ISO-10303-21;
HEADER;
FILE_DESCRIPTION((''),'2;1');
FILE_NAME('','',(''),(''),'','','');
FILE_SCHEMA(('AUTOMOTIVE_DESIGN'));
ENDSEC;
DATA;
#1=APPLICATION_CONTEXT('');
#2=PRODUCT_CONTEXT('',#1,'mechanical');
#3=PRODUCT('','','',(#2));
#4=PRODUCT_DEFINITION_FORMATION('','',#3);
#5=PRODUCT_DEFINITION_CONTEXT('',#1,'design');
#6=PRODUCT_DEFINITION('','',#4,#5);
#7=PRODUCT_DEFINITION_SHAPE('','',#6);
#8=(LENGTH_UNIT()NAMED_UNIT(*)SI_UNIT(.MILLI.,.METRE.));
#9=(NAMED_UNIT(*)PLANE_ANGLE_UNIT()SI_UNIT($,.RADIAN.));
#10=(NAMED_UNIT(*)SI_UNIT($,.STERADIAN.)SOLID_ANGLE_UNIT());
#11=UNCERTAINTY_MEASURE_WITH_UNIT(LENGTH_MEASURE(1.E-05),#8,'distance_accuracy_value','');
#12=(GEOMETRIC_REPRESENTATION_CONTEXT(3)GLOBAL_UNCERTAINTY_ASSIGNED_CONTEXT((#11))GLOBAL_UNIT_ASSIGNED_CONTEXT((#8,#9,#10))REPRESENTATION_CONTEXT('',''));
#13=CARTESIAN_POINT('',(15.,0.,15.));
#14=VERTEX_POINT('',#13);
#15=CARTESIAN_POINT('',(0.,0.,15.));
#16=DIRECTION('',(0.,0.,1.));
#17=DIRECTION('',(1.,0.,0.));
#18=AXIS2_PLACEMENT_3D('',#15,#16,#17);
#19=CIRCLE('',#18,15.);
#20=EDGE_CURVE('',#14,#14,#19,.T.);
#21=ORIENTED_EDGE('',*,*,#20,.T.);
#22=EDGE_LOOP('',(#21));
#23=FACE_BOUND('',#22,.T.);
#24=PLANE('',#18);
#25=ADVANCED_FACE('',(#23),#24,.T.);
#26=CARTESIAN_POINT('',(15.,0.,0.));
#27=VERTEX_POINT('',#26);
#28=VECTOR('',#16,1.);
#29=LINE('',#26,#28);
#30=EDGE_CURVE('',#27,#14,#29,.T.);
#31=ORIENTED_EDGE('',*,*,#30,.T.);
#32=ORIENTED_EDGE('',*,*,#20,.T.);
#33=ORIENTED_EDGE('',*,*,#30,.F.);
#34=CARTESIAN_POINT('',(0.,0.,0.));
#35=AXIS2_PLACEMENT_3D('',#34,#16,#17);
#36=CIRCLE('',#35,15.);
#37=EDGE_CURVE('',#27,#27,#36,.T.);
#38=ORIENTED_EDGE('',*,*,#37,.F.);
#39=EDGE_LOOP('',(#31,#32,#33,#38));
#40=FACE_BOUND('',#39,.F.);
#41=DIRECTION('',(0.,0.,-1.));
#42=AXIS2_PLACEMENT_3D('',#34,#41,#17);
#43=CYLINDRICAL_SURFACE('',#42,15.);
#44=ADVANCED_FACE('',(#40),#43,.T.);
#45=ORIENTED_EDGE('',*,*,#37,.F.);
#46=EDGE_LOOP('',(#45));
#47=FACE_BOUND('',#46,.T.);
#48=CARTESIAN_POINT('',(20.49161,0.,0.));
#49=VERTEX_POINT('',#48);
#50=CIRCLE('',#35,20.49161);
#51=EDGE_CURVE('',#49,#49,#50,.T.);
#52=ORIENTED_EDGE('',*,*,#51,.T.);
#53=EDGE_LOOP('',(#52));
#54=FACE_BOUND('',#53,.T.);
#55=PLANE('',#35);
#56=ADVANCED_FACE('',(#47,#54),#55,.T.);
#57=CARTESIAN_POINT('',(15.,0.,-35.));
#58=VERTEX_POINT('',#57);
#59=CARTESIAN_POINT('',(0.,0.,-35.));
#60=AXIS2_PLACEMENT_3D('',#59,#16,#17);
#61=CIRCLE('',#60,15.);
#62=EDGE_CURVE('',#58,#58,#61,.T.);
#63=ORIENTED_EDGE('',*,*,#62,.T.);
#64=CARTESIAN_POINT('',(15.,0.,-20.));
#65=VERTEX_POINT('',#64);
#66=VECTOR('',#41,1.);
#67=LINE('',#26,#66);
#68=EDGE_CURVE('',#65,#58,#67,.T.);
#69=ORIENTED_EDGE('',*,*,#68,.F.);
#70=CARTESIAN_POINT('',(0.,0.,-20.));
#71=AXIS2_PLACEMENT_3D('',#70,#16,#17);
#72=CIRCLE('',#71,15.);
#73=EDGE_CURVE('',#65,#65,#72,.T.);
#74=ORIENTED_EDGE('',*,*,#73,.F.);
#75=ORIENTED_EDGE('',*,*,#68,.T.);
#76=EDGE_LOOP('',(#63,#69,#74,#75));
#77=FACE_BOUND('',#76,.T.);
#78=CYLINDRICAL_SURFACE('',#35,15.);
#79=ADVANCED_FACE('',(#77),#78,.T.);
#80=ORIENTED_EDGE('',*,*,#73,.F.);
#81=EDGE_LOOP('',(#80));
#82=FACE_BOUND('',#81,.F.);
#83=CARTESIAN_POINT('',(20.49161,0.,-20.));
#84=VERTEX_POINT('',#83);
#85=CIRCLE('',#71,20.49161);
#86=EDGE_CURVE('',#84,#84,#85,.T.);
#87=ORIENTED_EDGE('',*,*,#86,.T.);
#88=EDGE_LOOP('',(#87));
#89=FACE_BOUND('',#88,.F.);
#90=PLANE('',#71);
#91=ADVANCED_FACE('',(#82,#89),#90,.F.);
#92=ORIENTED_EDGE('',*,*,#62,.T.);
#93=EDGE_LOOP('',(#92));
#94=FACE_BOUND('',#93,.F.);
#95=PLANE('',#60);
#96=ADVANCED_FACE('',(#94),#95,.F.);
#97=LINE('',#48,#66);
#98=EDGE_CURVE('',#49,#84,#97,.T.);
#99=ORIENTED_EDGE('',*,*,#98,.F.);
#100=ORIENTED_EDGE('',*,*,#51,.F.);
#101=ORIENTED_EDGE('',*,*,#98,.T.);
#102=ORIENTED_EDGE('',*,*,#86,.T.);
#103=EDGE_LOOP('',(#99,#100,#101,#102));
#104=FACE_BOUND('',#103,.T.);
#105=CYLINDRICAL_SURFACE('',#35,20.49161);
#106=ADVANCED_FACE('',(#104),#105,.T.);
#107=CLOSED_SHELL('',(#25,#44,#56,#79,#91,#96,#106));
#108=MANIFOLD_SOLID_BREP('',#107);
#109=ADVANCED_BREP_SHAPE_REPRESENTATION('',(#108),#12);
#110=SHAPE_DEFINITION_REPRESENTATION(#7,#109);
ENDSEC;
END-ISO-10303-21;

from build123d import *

# Parameters (mm, degrees)
F0_R     = 15
F1_DEPTH = 15
F2_R     = 20.49161
F3_DEPTH = 20
F4_R     = 15
F5_DEPTH = 35


with BuildPart() as f1:
    # F0 (on Top) → F1 (new body)
    with BuildSketch(Plane.XY):
        Circle(F0_R)
    extrude(amount=F1_DEPTH)

    # F2 (on Top) → F3 (join)
    with BuildSketch(Plane.XY):
        Circle(F2_R)
    extrude(amount=-F3_DEPTH)

    # F4 (on Top) → F5 (join)
    with BuildSketch(Plane.XY):
        Circle(F4_R)
    extrude(amount=-F5_DEPTH)


solid = f1.part
